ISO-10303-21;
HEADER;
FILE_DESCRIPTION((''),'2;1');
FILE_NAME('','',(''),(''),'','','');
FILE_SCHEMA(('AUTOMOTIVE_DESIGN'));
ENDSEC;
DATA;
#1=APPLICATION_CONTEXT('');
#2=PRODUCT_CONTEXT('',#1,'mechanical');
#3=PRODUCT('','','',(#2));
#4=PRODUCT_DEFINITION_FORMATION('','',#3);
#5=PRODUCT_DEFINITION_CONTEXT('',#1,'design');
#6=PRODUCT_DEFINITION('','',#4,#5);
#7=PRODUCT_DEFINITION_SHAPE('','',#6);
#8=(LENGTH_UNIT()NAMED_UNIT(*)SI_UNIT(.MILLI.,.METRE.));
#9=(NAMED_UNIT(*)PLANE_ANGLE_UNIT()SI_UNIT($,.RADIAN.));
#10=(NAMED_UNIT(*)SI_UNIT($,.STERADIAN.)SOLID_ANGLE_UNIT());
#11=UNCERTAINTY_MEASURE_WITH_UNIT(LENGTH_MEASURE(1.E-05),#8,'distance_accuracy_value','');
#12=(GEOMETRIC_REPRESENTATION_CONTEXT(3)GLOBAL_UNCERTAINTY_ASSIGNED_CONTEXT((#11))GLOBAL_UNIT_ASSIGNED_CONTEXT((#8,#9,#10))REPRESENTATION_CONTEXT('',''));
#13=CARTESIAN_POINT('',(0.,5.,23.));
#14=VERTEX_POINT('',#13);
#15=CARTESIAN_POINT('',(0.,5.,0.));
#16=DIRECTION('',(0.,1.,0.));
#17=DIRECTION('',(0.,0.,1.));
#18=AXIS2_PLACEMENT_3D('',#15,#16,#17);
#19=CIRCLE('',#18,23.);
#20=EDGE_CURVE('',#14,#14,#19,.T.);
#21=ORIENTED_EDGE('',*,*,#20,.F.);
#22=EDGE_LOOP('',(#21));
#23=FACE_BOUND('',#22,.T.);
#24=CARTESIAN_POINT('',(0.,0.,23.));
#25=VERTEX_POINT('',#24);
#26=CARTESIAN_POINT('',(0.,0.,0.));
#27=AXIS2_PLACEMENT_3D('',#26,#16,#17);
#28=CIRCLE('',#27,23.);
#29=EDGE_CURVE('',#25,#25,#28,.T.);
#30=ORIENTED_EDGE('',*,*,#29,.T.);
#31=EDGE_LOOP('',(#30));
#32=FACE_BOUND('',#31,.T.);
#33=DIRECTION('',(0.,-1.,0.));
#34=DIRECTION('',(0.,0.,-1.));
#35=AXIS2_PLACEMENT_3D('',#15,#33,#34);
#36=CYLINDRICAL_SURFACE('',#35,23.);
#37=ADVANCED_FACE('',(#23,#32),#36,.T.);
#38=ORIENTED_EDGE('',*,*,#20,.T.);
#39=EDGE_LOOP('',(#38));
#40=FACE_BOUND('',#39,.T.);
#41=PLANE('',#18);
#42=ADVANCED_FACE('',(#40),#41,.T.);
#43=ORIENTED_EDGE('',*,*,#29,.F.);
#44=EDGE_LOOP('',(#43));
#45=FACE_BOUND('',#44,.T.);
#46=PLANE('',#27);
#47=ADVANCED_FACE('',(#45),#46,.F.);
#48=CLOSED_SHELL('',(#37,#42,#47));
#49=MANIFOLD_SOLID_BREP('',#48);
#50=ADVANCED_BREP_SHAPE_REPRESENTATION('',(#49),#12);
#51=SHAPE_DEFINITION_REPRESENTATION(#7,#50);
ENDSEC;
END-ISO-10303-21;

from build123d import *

# Parameters (mm, degrees)
ESBO_O1_R                = 23
RESSALTO_EXTRUS_O1_DEPTH = 5


with BuildPart() as part:
    # Esboço1 → Ressalto-extrusão1 (new body)
    with BuildSketch(Plane(origin=(0, 0, 0), x_dir=(1, 0, 0), z_dir=(0, 1, 0))):
        with Locations(Location((0, 0, 0), (0, 0, 270))):
            Circle(ESBO_O1_R)
    extrude(amount=RESSALTO_EXTRUS_O1_DEPTH)


solid = part.part
